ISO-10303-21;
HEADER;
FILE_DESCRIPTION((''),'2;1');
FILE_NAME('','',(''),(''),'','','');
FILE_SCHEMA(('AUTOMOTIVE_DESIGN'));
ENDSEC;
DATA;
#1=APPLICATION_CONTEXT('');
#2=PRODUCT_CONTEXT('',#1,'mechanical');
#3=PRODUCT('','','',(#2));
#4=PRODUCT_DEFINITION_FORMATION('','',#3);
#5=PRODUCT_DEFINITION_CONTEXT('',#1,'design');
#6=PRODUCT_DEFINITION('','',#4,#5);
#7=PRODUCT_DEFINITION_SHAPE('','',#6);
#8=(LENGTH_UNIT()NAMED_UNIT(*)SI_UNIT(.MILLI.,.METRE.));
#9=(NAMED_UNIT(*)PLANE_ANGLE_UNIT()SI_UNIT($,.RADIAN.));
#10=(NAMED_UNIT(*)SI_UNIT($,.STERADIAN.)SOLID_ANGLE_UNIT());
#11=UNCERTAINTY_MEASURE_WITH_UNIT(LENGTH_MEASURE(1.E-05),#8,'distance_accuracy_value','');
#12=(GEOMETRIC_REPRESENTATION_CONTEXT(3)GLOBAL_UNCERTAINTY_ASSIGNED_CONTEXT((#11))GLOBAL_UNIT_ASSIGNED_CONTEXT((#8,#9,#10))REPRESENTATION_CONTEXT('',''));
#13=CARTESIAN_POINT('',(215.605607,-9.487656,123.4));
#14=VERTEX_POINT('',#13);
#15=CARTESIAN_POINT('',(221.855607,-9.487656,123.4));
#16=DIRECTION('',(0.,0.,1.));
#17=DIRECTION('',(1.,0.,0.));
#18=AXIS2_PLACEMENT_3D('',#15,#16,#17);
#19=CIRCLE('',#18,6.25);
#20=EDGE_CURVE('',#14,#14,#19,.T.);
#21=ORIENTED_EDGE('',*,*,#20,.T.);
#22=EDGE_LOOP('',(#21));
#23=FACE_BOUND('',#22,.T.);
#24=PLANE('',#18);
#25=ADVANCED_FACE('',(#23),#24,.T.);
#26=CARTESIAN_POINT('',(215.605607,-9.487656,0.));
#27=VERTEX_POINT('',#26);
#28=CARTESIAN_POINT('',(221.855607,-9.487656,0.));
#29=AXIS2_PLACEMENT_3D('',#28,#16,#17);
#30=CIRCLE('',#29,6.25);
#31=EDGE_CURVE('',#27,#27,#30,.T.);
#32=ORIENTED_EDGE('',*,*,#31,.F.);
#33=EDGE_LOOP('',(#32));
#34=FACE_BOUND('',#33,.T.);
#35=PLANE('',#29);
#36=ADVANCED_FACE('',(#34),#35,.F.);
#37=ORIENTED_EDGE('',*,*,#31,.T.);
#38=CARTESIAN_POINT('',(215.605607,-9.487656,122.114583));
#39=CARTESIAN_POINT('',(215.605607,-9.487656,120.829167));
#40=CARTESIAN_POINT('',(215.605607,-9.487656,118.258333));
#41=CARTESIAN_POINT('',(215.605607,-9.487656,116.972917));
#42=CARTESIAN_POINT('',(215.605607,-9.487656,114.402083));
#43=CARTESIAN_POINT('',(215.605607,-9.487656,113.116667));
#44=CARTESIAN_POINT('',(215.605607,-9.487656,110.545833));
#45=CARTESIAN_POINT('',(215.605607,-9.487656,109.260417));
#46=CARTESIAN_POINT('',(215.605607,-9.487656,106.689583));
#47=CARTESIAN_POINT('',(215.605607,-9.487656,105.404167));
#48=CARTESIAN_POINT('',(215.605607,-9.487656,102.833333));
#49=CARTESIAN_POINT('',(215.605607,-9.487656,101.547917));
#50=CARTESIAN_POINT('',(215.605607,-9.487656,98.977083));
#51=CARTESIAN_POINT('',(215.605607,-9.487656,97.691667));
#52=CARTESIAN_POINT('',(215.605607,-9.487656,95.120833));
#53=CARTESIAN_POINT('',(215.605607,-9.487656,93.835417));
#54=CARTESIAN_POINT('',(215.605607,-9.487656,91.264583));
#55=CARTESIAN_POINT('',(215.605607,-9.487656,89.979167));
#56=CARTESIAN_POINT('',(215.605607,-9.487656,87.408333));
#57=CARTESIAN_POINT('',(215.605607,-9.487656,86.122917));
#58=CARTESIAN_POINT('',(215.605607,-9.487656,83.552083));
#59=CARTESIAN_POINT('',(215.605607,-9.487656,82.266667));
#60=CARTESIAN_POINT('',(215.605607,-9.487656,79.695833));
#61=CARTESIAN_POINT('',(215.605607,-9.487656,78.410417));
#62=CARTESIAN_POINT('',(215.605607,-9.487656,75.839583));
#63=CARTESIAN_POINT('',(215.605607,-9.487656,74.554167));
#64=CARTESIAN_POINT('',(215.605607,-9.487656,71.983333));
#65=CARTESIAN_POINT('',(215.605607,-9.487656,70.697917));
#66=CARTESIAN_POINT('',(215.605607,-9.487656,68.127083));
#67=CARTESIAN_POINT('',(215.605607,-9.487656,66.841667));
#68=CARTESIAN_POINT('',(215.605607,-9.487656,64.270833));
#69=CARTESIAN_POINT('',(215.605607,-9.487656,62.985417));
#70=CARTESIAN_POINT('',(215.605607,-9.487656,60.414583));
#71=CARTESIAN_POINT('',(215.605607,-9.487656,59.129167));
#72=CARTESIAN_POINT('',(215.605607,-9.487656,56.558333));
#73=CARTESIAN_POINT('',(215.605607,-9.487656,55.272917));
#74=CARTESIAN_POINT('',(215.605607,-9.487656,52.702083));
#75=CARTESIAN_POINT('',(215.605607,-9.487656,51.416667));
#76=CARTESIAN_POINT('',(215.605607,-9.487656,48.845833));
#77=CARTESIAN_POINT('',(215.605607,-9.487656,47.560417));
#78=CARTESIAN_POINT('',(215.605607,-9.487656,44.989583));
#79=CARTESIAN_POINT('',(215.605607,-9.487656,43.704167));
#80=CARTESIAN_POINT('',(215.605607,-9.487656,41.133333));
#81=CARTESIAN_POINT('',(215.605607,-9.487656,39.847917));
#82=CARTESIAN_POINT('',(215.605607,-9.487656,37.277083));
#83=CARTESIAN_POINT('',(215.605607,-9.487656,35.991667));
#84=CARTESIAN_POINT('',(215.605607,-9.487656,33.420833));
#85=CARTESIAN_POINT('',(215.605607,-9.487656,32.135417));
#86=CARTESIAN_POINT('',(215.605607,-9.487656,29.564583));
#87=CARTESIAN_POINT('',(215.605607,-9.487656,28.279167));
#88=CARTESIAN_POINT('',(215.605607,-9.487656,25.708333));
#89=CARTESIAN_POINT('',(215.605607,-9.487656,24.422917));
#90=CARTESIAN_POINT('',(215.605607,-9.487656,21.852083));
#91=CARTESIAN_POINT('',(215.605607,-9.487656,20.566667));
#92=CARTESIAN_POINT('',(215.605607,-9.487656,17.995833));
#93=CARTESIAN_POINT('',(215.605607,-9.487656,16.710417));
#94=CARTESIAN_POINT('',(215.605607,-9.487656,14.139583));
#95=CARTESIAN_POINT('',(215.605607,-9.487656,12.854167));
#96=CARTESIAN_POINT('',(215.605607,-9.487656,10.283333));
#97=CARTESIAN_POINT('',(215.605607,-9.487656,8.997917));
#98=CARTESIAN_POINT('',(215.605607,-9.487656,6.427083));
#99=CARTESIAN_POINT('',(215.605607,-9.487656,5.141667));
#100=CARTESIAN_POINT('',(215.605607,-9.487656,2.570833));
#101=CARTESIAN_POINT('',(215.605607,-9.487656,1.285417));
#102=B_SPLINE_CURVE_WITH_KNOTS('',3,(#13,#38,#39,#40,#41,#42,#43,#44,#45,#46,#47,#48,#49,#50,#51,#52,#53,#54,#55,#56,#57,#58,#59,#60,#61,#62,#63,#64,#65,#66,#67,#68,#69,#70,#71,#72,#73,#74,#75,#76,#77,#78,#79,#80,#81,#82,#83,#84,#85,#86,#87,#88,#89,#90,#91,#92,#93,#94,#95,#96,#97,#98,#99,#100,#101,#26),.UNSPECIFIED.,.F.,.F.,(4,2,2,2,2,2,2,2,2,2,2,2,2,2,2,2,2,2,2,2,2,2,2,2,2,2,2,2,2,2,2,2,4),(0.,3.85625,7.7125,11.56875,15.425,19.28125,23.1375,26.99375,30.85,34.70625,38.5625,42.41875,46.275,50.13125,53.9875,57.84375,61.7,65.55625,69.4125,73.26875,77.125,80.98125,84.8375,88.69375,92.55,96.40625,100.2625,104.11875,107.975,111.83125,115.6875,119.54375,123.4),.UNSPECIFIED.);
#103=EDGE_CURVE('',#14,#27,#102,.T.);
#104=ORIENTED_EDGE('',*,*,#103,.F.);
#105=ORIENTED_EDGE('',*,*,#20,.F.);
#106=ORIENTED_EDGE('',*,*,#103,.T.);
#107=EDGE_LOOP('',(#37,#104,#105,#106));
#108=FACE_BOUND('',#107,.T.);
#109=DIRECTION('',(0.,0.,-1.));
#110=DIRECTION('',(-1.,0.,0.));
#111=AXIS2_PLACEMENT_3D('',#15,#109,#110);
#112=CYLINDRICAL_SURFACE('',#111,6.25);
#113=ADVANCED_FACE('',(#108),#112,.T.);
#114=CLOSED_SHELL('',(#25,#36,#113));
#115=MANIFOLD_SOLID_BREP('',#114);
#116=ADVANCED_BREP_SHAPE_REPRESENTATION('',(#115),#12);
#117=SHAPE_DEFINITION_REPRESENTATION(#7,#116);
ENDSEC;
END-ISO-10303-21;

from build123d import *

# Parameters (mm, degrees)
SKETCH1_R           = 6.25
BOSS_EXTRUDE1_DEPTH = 123.4


with BuildPart() as part:
    # Sketch1 → Boss-Extrude1 (new body)
    with BuildSketch(Plane.XY):
        with Locations(Location((221.855607159, -9.487655797, 0), (0, 0, 180))):
            Circle(SKETCH1_R)
    extrude(amount=BOSS_EXTRUDE1_DEPTH)


solid = part.part
